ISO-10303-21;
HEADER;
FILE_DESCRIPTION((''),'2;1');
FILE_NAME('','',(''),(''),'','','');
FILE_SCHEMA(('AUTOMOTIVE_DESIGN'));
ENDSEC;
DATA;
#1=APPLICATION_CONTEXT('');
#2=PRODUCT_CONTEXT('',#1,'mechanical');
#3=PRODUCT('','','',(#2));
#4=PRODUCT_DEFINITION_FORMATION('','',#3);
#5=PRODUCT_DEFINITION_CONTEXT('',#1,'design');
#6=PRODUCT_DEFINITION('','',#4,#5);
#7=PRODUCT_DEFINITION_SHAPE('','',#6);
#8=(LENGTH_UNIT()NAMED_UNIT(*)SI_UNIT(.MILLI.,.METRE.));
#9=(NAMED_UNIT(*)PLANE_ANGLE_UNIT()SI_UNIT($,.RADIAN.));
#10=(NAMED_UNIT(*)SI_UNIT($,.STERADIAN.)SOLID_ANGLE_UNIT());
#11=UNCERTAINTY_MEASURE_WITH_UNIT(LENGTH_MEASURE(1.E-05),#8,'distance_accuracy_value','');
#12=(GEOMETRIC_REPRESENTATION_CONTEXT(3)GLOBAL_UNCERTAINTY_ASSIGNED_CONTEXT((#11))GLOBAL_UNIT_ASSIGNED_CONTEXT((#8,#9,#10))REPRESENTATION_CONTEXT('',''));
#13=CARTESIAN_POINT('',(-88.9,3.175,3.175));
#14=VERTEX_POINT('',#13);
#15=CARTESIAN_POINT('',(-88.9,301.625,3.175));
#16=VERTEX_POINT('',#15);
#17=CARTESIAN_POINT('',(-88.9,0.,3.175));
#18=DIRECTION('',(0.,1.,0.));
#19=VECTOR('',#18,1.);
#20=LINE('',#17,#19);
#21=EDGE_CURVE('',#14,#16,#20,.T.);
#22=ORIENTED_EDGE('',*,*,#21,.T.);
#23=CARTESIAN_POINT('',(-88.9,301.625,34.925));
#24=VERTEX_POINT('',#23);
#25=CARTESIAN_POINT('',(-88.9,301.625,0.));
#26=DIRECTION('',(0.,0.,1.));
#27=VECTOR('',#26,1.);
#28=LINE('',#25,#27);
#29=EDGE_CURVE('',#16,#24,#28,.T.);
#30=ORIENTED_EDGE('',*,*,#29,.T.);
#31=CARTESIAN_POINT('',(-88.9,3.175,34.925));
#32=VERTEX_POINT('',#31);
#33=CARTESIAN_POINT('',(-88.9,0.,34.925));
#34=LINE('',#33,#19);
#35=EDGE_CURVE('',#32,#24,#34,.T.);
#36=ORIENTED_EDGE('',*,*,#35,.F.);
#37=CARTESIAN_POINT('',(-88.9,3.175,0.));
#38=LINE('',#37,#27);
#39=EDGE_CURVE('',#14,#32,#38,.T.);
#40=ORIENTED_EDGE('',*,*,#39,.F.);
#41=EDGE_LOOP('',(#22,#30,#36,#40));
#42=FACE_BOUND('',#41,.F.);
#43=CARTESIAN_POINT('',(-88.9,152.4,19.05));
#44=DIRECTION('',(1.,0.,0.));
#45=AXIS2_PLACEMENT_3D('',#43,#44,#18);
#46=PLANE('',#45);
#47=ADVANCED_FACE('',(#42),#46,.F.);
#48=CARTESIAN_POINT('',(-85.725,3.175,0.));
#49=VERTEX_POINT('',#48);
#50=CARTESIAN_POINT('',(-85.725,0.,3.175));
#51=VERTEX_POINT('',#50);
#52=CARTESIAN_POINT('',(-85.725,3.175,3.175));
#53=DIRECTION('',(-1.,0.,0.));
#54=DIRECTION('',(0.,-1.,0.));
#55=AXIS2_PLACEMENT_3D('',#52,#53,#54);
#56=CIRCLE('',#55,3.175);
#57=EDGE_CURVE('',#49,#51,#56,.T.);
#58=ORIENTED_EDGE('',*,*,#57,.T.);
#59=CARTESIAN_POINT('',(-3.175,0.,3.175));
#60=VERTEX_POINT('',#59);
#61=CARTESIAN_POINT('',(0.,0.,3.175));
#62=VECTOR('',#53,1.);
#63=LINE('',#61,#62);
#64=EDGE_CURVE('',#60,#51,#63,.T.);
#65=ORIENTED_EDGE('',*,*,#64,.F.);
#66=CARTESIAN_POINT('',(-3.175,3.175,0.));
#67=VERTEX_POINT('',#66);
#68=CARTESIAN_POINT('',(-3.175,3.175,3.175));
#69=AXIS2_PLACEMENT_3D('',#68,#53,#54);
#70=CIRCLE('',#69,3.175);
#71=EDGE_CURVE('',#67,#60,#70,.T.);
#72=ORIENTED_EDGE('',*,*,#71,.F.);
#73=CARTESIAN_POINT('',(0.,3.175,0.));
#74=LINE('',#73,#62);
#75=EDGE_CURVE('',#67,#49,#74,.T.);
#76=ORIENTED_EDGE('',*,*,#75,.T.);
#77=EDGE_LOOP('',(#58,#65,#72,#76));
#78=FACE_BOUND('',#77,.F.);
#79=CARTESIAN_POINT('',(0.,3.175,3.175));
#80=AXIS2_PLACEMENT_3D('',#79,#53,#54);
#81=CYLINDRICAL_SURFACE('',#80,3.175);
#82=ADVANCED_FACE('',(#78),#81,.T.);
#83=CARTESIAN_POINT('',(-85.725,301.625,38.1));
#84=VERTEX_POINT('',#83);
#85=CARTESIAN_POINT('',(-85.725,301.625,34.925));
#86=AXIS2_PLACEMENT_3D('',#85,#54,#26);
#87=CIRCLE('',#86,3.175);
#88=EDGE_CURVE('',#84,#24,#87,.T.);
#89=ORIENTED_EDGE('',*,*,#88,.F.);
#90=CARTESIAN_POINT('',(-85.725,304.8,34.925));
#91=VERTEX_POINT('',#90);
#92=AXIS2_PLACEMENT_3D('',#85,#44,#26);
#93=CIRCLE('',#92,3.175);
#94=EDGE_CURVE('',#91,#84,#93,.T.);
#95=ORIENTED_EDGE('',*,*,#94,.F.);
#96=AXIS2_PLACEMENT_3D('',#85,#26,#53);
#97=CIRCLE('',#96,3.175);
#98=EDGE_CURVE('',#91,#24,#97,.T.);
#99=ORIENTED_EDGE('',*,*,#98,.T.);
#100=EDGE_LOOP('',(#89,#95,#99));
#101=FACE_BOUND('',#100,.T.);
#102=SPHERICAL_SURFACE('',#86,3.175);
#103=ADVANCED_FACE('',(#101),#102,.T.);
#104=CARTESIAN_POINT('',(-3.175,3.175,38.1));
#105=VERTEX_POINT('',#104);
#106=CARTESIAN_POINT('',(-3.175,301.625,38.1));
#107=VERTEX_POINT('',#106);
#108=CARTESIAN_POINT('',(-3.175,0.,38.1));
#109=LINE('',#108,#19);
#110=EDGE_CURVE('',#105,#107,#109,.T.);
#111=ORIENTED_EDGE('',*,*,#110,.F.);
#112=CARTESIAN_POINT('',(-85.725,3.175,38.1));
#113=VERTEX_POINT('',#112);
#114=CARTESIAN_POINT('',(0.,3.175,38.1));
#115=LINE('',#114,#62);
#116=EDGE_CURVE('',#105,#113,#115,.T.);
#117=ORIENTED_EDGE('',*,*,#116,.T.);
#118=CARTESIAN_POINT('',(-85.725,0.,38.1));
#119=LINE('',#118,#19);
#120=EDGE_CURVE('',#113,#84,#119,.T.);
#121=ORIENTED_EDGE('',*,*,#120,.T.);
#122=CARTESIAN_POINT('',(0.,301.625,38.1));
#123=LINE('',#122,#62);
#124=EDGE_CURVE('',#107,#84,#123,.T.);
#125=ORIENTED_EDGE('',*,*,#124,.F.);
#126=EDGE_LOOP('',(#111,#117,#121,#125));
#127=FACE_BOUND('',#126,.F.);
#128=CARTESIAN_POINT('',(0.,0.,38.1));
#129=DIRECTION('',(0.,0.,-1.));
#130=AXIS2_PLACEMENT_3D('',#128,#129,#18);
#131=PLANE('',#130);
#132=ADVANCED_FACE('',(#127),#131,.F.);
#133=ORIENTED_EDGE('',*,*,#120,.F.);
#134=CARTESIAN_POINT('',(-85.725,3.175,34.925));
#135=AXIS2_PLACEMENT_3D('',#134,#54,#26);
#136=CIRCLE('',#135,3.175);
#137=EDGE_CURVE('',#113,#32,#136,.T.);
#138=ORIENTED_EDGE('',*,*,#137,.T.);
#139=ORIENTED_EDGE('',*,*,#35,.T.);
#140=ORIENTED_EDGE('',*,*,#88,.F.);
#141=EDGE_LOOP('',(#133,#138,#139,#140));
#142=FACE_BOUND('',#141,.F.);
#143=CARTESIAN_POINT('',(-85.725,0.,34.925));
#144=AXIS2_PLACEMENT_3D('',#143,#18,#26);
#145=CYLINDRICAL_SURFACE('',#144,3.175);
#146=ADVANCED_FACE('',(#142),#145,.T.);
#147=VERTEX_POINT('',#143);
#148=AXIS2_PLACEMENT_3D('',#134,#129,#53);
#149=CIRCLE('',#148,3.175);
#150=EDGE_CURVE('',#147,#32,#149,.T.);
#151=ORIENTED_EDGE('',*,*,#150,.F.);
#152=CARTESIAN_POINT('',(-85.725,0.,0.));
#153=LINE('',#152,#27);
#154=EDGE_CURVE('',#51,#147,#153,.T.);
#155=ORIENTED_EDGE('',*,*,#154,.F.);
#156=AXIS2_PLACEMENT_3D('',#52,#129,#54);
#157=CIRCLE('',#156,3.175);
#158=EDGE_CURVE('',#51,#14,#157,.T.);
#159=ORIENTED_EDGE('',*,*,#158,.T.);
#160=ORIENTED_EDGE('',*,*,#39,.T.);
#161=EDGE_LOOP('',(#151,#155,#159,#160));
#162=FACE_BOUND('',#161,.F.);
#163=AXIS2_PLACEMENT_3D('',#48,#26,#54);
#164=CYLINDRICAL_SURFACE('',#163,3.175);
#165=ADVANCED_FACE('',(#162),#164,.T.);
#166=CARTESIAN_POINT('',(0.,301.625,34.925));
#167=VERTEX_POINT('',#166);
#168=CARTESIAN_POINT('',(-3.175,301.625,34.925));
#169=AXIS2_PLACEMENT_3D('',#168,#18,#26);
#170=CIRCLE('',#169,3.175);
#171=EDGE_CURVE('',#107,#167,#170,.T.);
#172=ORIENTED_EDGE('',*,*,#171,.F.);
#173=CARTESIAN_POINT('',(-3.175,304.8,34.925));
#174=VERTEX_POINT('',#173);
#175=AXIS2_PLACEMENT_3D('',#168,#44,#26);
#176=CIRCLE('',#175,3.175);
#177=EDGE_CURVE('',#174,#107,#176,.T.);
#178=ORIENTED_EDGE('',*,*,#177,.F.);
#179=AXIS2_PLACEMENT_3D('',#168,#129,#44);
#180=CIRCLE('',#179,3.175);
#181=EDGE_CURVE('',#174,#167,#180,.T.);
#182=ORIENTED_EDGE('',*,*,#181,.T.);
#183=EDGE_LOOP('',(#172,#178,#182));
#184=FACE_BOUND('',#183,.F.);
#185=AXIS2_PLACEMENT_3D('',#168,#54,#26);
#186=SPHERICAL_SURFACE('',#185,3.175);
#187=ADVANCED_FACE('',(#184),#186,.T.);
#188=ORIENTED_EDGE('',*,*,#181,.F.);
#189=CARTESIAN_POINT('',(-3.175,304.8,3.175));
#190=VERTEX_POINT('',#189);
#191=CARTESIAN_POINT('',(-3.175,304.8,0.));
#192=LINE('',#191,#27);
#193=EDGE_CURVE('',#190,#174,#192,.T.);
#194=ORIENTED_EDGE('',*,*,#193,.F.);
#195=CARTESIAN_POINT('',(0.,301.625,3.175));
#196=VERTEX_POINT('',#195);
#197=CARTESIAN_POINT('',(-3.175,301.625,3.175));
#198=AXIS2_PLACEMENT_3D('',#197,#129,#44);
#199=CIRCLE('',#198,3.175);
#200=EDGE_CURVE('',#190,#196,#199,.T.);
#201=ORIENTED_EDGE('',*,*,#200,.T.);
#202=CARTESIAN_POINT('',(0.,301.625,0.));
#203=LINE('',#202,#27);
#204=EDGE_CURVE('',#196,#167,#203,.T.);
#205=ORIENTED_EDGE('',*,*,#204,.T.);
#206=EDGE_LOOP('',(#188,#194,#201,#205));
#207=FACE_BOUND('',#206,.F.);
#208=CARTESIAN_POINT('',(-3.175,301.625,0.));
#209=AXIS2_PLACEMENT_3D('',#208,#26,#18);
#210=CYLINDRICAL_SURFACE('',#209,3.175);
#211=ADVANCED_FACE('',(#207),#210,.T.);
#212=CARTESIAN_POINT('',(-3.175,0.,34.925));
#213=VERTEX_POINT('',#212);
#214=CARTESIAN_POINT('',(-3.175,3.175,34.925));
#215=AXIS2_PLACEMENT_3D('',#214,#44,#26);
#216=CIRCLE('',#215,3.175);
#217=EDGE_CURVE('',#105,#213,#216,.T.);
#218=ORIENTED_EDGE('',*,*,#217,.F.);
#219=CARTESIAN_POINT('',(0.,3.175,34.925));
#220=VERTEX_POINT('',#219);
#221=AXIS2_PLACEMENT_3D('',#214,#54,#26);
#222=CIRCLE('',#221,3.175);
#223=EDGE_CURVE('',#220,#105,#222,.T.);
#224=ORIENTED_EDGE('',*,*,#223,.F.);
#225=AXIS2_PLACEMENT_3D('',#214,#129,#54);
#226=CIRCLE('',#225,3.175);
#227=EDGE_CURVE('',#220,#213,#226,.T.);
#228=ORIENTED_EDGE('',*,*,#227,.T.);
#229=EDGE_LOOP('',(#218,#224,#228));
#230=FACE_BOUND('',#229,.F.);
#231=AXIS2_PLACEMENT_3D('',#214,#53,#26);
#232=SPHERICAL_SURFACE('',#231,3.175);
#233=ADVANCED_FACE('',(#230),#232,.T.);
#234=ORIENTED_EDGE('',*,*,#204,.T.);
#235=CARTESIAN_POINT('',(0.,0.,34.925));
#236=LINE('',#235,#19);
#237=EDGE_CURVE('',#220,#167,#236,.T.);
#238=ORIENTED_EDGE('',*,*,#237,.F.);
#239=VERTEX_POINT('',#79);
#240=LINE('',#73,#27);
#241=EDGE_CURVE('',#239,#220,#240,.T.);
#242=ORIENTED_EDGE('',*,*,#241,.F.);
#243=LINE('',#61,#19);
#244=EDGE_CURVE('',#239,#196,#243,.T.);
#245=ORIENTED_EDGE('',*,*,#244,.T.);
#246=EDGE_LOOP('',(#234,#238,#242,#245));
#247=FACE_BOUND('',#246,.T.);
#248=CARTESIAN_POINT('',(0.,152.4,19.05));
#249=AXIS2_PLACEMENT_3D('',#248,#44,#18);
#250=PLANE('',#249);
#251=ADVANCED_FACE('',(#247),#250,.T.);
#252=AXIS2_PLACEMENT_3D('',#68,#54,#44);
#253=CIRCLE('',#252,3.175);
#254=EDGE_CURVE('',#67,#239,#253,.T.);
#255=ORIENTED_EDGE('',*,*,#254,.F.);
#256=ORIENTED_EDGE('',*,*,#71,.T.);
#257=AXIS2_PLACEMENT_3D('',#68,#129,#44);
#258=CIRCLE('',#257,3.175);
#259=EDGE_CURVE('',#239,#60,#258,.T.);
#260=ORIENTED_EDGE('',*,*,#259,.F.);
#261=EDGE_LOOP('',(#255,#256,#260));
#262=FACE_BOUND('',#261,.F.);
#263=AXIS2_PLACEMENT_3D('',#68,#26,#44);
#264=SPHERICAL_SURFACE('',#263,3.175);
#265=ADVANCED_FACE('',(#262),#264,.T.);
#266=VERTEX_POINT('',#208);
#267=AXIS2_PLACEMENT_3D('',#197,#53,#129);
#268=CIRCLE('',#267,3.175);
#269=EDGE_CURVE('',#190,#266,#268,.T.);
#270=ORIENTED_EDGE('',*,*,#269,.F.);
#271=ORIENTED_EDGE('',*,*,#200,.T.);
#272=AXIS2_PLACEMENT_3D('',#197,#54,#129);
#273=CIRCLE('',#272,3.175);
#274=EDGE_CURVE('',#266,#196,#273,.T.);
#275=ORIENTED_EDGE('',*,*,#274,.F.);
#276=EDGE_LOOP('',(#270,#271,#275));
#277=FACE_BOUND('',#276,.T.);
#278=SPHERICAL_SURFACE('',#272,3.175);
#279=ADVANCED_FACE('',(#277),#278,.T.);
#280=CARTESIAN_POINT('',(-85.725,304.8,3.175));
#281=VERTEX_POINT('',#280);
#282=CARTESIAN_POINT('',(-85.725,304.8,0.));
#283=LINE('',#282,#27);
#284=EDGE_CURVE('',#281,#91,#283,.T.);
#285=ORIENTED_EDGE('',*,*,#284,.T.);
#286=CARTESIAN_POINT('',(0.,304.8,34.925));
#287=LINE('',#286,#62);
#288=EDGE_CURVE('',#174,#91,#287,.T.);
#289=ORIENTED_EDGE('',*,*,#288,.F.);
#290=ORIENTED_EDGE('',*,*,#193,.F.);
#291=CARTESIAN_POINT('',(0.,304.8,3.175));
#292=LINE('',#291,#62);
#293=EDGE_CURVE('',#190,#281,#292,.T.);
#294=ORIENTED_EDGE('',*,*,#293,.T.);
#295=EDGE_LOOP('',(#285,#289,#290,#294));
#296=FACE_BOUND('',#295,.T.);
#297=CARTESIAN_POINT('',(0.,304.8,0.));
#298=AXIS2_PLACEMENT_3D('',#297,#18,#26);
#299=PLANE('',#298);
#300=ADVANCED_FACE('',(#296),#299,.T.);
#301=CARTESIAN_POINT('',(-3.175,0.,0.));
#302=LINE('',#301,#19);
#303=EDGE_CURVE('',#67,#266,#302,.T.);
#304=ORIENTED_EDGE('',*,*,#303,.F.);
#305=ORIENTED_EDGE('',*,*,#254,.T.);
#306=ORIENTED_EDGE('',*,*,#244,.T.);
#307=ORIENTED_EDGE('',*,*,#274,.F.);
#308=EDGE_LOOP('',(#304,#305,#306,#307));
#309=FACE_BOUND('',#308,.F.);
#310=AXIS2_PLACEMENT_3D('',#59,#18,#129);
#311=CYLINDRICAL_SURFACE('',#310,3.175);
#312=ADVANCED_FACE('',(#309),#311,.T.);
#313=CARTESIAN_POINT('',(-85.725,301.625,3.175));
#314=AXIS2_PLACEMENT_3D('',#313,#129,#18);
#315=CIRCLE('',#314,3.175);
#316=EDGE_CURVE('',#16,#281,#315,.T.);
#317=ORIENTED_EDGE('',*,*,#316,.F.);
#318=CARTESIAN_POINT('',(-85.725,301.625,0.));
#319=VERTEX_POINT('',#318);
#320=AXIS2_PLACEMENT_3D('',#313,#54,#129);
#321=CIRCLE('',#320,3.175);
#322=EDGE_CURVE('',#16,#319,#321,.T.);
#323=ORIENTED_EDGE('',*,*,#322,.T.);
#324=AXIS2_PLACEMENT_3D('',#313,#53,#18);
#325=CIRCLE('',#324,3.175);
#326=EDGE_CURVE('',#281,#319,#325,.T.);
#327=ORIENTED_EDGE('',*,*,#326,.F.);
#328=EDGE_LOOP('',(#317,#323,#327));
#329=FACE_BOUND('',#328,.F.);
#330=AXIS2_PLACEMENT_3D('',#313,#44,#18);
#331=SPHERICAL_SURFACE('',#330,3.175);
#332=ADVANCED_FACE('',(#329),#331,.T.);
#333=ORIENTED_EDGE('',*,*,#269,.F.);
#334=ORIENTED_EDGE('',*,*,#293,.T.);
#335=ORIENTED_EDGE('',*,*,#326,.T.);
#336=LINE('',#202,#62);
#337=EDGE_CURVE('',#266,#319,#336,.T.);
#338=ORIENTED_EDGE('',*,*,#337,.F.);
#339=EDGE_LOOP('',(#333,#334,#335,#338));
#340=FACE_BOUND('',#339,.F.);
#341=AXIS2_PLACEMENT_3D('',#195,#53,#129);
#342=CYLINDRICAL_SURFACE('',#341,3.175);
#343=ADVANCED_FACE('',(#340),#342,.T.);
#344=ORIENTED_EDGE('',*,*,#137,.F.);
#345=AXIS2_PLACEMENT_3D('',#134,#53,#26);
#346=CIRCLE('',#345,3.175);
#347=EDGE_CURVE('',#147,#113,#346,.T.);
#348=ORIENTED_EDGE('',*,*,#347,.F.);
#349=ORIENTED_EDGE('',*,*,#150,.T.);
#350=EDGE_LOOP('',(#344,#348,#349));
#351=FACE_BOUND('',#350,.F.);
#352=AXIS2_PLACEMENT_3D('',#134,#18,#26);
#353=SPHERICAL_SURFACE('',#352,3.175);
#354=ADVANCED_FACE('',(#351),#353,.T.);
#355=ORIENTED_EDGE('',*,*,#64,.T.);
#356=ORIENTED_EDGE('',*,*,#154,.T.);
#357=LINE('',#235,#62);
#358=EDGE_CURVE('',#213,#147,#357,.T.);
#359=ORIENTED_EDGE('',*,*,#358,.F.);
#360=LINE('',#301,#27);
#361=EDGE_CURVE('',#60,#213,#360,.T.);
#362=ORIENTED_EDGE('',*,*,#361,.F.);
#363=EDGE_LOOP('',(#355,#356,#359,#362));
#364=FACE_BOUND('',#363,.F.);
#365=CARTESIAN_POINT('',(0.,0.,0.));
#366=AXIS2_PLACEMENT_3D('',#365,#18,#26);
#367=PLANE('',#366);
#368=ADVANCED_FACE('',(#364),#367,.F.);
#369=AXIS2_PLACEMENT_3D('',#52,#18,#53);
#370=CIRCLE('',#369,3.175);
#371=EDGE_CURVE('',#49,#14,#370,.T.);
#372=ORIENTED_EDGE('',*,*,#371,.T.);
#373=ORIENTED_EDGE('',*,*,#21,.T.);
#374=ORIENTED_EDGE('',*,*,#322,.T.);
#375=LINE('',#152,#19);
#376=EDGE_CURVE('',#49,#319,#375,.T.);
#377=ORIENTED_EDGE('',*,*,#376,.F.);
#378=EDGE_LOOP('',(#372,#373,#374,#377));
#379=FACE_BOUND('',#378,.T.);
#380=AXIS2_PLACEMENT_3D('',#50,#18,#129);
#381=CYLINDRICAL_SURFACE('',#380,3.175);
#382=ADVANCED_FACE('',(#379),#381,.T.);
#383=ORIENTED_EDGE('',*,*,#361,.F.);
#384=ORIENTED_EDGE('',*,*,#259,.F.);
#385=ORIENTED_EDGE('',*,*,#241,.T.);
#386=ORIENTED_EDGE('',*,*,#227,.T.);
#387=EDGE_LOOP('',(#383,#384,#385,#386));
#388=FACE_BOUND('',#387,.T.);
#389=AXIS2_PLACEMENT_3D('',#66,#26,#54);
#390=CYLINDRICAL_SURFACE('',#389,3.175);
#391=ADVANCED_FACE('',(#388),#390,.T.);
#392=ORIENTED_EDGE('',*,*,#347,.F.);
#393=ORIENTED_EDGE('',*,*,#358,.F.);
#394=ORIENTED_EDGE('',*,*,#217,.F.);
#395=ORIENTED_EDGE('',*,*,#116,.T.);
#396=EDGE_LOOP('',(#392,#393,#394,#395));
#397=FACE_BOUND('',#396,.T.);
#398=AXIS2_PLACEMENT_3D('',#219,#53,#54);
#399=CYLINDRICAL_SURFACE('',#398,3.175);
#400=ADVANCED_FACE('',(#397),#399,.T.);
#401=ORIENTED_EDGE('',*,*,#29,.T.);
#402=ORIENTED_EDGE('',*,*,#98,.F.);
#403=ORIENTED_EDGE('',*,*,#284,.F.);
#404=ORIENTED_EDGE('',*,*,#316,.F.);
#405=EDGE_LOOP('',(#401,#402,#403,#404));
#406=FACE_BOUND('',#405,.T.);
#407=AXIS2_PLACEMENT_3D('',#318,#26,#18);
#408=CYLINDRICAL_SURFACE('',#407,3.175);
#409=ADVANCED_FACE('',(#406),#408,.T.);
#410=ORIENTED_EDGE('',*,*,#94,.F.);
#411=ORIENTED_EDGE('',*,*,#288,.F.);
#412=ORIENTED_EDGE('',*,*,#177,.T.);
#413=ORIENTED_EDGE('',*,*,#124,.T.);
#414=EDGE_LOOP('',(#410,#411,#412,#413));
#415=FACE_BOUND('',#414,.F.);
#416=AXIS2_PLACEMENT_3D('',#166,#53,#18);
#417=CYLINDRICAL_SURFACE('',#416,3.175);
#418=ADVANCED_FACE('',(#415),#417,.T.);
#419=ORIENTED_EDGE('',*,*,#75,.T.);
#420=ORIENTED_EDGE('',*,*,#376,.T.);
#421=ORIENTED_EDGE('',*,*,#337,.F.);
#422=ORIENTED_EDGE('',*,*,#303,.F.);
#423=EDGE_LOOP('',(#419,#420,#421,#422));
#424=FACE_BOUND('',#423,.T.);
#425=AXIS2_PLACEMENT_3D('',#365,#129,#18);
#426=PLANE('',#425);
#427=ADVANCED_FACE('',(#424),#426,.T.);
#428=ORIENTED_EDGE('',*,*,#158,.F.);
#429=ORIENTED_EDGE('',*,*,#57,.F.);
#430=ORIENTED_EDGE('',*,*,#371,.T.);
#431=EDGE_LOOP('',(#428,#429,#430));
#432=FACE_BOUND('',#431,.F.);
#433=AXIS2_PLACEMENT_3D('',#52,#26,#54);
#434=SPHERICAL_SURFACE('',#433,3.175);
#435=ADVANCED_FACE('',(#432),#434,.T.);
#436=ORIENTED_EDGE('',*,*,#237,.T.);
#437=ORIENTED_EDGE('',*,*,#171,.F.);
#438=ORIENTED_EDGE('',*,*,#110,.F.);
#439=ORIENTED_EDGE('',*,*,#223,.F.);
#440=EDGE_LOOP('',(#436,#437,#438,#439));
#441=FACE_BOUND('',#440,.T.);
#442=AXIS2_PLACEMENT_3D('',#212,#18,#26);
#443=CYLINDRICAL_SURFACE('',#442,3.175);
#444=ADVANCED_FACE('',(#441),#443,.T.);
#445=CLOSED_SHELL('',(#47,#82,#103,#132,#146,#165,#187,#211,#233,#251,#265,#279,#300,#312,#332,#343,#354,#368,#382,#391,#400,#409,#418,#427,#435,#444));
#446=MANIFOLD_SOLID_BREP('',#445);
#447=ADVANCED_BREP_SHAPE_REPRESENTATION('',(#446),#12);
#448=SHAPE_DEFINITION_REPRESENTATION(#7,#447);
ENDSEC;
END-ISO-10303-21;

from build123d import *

# Parameters (mm, degrees)
F0_W     = 304.8
F0_H     = 38.1
F1_DEPTH = 88.9
F2_R     = 3.175


with BuildPart() as f1:
    # F0 (on Right) → F1 (new body)
    with BuildSketch(Plane.YZ):
        with Locations((152.4, 19.05)):
            Rectangle(F0_W, F0_H)
    extrude(amount=-F1_DEPTH)

    # F2
    f2_edges = [f1.edges().sort_by_distance(p)[0] for p in [
        (-88.9, 152.4, 38.1),
        (-44.45, 0, 38.1),
        (0, 152.4, 38.1),
        (-44.45, 304.8, 38.1),
        (-88.9, 0, 19.05),
        (0, 0, 19.05),
        (0, 152.4, 0),
        (-44.45, 0, 0),
        (-44.45, 304.8, 0),
        (0, 304.8, 19.05),
        (-88.9, 304.8, 19.05),
        (-88.9, 152.4, 0),
    ]]
    fillet(f2_edges, radius=F2_R)


solid = f1.part
